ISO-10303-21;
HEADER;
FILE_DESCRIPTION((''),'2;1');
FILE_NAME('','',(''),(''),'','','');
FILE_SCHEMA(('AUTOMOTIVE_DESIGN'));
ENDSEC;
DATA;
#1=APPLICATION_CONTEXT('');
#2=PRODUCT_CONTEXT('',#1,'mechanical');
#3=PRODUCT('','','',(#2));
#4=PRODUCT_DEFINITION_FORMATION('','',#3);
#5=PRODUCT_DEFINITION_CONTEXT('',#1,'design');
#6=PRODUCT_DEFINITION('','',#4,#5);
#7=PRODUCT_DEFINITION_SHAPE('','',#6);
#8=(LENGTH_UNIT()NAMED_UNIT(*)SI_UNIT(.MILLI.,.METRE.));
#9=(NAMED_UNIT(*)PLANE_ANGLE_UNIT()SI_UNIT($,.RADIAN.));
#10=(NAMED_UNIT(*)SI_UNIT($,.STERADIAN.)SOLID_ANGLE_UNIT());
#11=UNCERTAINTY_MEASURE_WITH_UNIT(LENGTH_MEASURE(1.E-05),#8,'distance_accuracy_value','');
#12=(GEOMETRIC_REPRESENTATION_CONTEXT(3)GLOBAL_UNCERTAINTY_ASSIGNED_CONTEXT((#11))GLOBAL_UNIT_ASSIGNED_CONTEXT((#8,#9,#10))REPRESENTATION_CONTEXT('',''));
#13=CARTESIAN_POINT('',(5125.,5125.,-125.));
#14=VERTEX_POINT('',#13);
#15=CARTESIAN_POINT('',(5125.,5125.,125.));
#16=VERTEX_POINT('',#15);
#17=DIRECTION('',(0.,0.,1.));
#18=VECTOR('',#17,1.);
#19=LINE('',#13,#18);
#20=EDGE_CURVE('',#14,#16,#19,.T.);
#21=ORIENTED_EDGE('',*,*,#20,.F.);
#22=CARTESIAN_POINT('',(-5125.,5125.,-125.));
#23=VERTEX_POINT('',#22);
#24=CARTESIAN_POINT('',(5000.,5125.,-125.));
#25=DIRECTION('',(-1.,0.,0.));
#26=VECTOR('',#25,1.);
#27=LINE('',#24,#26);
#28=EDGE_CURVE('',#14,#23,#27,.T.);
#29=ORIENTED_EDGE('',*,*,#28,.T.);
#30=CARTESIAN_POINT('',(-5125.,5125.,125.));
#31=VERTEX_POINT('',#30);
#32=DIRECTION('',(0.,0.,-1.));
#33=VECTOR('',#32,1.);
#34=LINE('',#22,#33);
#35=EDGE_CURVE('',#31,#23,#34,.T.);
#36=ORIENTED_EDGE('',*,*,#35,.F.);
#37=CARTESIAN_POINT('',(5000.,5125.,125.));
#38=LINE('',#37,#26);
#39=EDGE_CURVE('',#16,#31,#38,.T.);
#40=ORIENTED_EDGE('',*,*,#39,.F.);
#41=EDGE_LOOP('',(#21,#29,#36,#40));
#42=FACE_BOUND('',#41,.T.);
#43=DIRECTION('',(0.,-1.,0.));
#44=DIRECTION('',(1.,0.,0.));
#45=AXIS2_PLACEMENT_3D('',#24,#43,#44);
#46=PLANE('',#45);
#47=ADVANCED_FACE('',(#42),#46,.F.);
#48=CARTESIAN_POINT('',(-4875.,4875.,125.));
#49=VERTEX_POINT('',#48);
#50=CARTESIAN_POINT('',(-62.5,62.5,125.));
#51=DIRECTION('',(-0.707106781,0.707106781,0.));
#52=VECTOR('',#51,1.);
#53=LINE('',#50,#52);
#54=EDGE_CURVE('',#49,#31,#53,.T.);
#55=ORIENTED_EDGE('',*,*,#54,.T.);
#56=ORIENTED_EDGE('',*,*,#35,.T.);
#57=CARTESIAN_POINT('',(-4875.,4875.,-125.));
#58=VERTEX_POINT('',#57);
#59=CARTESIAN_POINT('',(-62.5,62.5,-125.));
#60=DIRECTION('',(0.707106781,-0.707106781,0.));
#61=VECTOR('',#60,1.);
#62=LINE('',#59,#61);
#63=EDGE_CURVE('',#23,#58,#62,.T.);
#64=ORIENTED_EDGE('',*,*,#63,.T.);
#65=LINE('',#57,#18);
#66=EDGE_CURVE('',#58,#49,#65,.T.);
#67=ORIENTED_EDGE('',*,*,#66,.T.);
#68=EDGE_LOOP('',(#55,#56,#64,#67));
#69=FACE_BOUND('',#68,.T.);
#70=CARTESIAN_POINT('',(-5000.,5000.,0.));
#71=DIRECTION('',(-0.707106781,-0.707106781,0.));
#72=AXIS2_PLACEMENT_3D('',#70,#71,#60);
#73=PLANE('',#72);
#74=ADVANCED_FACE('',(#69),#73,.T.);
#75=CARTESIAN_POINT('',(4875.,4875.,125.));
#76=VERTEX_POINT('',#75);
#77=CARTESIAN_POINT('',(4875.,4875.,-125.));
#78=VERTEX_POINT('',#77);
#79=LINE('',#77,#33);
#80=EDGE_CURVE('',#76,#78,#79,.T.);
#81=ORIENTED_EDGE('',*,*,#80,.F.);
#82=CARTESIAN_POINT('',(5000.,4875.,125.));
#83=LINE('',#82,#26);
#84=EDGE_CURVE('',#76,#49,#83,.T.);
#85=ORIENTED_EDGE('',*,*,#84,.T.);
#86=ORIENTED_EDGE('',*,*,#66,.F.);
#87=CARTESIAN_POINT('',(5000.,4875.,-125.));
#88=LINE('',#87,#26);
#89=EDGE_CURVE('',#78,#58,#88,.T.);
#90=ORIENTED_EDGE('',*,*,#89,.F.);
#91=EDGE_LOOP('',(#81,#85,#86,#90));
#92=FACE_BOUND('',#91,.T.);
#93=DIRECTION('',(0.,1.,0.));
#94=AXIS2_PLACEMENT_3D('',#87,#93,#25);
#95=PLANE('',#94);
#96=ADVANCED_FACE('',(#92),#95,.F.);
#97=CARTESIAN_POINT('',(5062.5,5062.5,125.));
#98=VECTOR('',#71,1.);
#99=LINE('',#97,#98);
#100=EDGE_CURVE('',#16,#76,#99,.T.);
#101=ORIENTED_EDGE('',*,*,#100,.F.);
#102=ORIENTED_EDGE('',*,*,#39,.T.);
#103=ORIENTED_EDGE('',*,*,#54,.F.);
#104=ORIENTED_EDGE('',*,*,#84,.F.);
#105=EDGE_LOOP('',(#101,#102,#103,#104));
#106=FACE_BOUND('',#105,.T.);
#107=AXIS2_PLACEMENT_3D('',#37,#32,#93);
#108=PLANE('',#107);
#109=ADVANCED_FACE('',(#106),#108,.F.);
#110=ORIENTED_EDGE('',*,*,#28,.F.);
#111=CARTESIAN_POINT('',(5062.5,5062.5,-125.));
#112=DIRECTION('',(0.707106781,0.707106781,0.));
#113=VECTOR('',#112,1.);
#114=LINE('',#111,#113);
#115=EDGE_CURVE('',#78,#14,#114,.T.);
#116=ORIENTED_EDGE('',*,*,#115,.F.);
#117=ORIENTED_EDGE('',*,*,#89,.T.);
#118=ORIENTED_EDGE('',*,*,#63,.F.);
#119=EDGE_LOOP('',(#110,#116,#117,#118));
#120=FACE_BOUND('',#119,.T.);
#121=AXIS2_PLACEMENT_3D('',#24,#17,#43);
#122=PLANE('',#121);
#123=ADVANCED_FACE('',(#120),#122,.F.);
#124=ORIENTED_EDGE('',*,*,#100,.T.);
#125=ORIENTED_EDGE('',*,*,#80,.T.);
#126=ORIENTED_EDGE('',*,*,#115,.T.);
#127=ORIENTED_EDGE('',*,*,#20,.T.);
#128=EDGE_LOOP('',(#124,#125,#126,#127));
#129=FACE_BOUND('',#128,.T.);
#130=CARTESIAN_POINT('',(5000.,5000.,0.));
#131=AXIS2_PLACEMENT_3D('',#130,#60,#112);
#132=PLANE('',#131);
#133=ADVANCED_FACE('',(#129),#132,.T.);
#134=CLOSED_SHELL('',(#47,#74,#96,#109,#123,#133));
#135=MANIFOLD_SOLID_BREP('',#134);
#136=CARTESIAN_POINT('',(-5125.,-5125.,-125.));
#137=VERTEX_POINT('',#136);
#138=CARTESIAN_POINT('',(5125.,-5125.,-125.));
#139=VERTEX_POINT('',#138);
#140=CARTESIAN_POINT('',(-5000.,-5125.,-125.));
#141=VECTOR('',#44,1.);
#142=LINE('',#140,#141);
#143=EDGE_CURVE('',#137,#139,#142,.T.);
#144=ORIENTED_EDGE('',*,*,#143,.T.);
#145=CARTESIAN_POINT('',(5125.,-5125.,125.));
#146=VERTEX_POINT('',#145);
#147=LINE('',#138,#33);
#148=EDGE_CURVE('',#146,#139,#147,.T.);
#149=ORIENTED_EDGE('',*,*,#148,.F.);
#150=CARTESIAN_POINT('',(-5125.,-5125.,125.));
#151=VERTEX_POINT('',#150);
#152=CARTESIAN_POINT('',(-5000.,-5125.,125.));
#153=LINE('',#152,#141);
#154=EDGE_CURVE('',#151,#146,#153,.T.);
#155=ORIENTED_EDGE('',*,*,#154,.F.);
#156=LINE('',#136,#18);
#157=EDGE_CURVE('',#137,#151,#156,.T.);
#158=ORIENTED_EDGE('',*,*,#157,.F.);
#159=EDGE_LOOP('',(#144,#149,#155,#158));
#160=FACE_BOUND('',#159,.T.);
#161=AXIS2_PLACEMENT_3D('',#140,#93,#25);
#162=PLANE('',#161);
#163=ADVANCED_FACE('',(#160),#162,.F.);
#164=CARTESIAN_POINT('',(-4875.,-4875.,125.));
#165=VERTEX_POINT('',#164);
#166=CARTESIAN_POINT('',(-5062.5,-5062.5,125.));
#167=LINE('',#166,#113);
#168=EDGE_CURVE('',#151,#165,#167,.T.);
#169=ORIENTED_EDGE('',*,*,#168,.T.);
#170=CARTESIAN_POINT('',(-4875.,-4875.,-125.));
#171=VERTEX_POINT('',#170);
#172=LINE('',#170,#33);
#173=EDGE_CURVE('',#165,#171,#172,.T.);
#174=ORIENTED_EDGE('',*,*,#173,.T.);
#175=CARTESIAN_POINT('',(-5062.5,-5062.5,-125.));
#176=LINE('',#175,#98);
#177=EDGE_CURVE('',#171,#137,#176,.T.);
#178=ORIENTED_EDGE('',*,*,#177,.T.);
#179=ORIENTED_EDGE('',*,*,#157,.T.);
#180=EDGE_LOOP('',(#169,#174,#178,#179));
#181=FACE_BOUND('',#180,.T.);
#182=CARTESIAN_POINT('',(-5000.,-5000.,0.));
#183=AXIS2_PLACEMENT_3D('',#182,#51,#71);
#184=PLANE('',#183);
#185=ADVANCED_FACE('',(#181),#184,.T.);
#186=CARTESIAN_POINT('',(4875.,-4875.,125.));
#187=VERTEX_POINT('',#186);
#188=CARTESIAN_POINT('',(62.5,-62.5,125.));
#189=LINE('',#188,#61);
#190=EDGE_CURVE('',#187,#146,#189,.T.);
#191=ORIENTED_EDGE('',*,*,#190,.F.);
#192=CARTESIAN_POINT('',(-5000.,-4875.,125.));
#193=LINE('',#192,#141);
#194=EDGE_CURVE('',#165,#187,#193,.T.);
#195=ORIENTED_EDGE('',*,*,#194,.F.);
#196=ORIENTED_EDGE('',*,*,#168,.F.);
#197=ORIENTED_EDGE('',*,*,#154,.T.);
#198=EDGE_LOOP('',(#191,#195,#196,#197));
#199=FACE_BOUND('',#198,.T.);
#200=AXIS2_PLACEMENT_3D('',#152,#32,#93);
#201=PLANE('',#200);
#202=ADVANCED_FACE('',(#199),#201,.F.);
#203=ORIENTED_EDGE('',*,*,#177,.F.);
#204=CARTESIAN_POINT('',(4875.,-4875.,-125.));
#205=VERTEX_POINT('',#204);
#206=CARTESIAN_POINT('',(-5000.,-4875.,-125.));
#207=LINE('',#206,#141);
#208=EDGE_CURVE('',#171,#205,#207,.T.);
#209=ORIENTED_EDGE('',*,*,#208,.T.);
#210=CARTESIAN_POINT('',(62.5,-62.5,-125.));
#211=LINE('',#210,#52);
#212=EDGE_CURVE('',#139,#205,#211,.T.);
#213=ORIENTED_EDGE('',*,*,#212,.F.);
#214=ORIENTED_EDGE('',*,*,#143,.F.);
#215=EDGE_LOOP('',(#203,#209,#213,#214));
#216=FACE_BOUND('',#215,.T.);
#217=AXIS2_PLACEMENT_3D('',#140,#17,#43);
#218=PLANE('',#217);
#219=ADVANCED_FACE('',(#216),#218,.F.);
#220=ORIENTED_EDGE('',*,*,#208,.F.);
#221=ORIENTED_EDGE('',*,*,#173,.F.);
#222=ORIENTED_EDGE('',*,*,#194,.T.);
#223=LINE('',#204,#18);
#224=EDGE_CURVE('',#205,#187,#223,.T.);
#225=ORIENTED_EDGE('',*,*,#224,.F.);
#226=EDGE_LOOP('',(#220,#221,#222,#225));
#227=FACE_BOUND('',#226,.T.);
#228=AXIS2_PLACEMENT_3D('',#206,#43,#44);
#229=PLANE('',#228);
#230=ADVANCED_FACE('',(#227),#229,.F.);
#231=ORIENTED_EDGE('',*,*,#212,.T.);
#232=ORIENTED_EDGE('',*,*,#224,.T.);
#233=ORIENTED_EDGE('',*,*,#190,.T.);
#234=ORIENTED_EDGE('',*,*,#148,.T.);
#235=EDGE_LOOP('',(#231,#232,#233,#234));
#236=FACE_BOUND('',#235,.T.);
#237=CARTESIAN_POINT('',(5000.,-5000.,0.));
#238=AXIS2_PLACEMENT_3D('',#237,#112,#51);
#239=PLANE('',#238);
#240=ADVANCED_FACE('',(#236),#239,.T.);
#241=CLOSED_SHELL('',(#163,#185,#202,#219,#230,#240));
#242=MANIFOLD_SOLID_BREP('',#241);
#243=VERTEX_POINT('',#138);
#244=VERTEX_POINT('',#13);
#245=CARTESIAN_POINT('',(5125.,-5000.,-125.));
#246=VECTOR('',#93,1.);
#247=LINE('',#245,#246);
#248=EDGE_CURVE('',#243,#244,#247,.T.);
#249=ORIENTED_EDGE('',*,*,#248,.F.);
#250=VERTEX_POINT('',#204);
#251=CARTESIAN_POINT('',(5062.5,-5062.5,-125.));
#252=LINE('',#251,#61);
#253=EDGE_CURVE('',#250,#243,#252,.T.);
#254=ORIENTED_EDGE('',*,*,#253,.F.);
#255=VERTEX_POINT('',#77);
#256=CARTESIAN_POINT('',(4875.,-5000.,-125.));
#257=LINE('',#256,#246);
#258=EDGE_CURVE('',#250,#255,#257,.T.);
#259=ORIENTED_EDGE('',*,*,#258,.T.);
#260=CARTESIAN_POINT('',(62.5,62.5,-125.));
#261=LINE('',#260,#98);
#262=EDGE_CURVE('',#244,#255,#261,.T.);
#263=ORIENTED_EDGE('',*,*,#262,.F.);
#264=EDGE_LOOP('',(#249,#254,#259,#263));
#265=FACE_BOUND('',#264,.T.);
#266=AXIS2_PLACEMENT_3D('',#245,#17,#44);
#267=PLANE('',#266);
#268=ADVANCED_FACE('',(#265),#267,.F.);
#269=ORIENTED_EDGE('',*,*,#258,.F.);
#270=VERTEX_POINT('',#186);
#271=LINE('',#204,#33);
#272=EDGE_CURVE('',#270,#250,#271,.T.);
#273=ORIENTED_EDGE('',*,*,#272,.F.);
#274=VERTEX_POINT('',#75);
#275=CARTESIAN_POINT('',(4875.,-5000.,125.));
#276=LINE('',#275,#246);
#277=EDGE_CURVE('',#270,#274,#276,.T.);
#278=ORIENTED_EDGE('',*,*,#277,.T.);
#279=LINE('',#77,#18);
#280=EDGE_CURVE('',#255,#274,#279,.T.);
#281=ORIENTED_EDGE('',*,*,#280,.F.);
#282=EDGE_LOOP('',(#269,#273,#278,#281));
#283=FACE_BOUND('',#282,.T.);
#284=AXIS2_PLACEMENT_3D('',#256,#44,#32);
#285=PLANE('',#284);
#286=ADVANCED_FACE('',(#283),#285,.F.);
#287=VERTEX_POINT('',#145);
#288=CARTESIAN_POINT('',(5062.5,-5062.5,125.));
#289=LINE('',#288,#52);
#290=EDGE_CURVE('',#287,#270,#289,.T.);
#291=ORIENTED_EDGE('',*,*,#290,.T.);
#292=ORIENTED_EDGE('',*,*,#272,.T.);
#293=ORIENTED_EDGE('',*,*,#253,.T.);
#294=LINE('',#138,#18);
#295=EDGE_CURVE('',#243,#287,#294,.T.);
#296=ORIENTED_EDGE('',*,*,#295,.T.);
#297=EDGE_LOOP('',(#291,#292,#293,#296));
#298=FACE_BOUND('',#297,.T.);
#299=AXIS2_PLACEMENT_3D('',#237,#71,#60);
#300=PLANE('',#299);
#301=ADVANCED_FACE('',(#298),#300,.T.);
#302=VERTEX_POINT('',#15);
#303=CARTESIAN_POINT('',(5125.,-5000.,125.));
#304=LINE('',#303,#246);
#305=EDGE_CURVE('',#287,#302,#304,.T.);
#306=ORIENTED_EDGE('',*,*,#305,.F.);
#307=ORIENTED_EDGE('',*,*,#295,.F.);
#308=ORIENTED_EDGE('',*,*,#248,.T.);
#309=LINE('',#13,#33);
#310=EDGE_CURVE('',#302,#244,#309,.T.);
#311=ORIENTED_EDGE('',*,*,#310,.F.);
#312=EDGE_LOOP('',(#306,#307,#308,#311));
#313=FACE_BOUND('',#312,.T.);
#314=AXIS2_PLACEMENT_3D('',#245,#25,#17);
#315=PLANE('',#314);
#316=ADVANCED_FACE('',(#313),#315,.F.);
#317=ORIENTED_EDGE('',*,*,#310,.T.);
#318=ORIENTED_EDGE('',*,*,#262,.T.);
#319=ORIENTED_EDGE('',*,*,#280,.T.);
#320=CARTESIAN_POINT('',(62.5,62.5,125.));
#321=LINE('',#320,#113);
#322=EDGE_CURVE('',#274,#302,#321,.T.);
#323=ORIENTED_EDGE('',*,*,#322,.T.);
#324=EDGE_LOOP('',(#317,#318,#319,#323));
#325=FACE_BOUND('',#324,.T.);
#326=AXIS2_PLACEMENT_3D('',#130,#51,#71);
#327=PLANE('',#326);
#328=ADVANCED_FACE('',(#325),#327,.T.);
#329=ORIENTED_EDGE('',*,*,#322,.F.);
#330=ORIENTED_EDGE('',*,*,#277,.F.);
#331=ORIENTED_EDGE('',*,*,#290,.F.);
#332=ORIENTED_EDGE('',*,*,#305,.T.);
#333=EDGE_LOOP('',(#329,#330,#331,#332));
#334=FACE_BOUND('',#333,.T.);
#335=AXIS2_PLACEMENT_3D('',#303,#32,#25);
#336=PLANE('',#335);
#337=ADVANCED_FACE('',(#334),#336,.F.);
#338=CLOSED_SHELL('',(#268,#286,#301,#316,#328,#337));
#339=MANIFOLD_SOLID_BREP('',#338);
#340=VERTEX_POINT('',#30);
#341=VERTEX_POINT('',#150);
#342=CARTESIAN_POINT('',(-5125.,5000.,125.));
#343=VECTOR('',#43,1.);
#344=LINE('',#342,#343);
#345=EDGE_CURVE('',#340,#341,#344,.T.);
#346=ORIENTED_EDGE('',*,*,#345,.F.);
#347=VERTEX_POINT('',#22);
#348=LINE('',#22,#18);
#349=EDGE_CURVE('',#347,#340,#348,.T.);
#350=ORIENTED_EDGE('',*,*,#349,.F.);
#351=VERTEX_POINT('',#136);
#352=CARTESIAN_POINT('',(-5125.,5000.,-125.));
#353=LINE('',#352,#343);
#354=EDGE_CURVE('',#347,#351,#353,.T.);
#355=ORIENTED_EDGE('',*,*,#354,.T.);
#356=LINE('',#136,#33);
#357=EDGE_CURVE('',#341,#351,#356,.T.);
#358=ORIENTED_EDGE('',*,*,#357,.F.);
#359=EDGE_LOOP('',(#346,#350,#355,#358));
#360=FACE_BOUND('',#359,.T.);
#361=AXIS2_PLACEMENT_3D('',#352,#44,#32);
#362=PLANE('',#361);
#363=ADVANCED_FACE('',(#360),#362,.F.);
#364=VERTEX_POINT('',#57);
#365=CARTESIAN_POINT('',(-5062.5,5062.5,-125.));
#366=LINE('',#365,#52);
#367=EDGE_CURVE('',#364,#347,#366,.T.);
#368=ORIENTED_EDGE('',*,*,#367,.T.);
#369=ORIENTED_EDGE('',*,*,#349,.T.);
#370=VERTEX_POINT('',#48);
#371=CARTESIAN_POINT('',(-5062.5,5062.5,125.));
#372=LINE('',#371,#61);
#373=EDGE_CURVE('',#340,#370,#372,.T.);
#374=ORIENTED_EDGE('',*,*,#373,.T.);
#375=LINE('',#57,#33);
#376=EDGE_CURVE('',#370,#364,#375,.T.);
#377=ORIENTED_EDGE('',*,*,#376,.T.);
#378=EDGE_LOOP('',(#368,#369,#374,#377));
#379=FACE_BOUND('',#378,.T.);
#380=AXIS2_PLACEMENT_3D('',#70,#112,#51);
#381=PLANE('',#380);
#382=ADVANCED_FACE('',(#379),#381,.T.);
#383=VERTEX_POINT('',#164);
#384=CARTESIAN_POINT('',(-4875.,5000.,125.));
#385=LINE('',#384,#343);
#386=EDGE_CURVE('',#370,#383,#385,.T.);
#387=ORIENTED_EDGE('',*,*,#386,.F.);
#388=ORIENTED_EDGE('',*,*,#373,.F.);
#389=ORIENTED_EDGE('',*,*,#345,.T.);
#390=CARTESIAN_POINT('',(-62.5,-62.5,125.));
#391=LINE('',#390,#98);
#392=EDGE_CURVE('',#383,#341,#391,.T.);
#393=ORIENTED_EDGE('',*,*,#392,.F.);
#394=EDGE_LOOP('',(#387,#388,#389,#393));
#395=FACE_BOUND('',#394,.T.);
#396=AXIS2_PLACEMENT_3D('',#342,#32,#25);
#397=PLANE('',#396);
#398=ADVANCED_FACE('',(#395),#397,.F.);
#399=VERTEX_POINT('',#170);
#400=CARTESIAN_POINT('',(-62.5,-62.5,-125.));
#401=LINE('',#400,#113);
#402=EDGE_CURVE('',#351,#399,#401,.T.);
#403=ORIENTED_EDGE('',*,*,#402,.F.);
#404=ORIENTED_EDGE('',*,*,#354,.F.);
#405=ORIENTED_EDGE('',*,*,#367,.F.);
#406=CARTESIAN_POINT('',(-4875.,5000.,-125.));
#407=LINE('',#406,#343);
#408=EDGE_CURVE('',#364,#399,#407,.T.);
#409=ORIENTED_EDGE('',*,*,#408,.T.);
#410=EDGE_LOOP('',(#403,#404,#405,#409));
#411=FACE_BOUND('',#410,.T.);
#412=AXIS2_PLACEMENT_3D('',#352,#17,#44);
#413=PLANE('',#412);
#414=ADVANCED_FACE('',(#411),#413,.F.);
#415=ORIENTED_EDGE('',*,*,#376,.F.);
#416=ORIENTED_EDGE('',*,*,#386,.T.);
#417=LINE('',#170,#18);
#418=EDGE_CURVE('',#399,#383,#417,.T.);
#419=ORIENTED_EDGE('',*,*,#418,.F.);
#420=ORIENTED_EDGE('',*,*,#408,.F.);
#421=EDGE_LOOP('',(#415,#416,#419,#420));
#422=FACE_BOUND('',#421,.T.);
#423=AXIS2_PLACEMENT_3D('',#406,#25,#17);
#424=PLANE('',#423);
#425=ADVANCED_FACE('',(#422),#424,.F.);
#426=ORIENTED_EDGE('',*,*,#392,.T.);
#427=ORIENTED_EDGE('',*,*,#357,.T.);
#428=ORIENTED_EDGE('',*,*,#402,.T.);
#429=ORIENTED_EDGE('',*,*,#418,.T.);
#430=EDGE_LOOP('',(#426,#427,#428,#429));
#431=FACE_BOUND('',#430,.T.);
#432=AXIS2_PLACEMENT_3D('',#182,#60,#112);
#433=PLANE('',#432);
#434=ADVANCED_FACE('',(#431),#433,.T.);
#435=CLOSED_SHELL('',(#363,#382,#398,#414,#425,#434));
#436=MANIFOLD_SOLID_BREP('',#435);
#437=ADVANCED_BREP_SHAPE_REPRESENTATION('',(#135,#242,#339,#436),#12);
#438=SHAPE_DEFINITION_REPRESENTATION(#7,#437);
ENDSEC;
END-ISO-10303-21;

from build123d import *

# Parameters (mm, degrees)
STRUCTURAL_MEMBER1_DEPTH      = 10177.776695297
STRUCTURAL_MEMBER1_DEPTH_BACK = 177.776695297
SKETCH11_W                    = 250
SKETCH11_H                    = 250
SKETCH11_ON_SEGMENT_2_W       = 250
SKETCH11_ON_SEGMENT_2_H       = 250
STRUCTURAL_MEMBER1_2_DEPTH    = 10355.553390593
SKETCH11_ON_SEGMENT_3_W       = 250
SKETCH11_ON_SEGMENT_3_H       = 250
STRUCTURAL_MEMBER1_3_DEPTH    = 10355.553390593
SKETCH11_ON_SEGMENT_4_W       = 250
SKETCH11_ON_SEGMENT_4_H       = 250
STRUCTURAL_MEMBER1_4_DEPTH    = 10355.553390593


with BuildPart() as part:
    # Sketch11 → Structural Member1 (new, two sides: drawn at the far end of the back side and taken through both)
    with BuildSketch(Plane(origin=(-5000, -5000, 0), x_dir=(-1, 0, 0), z_dir=(0, 1, 0)).offset(-STRUCTURAL_MEMBER1_DEPTH_BACK)):
        Rectangle(SKETCH11_W, SKETCH11_H)
    extrude(amount=STRUCTURAL_MEMBER1_DEPTH + STRUCTURAL_MEMBER1_DEPTH_BACK)

    # Structural Member1 mitre 1
    split(bisect_by=Plane(origin=(-5000, -5000, 0), x_dir=(-0.707106781, -0.707106781, 0), z_dir=(-0.707106781, 0.707106781, 0)), keep=Keep.TOP)

    # Structural Member1 mitre 2
    split(bisect_by=Plane(origin=(-5000, 5000, 0), x_dir=(0.707106781, -0.707106781, 0), z_dir=(-0.707106781, -0.707106781, 0)), keep=Keep.TOP)


with BuildPart() as body_2:
    # Sketch11 on segment 2 (carried to segment 2) → Structural Member1 2 (new body)
    with BuildSketch(Plane(origin=(-5177.776695297, 5000, 0), x_dir=(0, 1, 0), z_dir=(1, 0, 0))):
        Rectangle(SKETCH11_ON_SEGMENT_2_W, SKETCH11_ON_SEGMENT_2_H)
    extrude(amount=STRUCTURAL_MEMBER1_2_DEPTH)

    # Structural Member1 2 mitre 1
    split(bisect_by=Plane(origin=(5000, 5000, 0), x_dir=(-0.707106781, -0.707106781, 0), z_dir=(-0.707106781, 0.707106781, 0)), keep=Keep.TOP)

    # Structural Member1 2 mitre 2
    split(bisect_by=Plane(origin=(-5000, 5000, 0), x_dir=(-0.707106781, 0.707106781, 0), z_dir=(0.707106781, 0.707106781, 0)), keep=Keep.TOP)


with BuildPart() as body_3:
    # Sketch11 on segment 3 (carried to segment 3) → Structural Member1 3 (new body)
    with BuildSketch(Plane(origin=(5000, 5177.776695297, 0), x_dir=(1, 0, 0), z_dir=(0, -1, 0))):
        Rectangle(SKETCH11_ON_SEGMENT_3_W, SKETCH11_ON_SEGMENT_3_H)
    extrude(amount=STRUCTURAL_MEMBER1_3_DEPTH)

    # Structural Member1 3 mitre 1
    split(bisect_by=Plane(origin=(5000, -5000, 0), x_dir=(-0.707106781, 0.707106781, 0), z_dir=(0.707106781, 0.707106781, 0)), keep=Keep.TOP)

    # Structural Member1 3 mitre 2
    split(bisect_by=Plane(origin=(5000, 5000, 0), x_dir=(0.707106781, 0.707106781, 0), z_dir=(0.707106781, -0.707106781, 0)), keep=Keep.TOP)


with BuildPart() as body_4:
    # Sketch11 on segment 4 (carried to segment 4) → Structural Member1 4 (new body)
    with BuildSketch(Plane(origin=(5177.776695297, -5000, 0), x_dir=(0, -1, 0), z_dir=(-1, 0, 0))):
        Rectangle(SKETCH11_ON_SEGMENT_4_W, SKETCH11_ON_SEGMENT_4_H)
    extrude(amount=STRUCTURAL_MEMBER1_4_DEPTH)

    # Structural Member1 4 mitre 1
    split(bisect_by=Plane(origin=(5000, -5000, 0), x_dir=(0.707106781, -0.707106781, 0), z_dir=(-0.707106781, -0.707106781, 0)), keep=Keep.TOP)

    # Structural Member1 4 mitre 2
    split(bisect_by=Plane(origin=(-5000, -5000, 0), x_dir=(0.707106781, 0.707106781, 0), z_dir=(0.707106781, -0.707106781, 0)), keep=Keep.TOP)


solid = Compound([part.part, body_2.part, body_3.part, body_4.part])
